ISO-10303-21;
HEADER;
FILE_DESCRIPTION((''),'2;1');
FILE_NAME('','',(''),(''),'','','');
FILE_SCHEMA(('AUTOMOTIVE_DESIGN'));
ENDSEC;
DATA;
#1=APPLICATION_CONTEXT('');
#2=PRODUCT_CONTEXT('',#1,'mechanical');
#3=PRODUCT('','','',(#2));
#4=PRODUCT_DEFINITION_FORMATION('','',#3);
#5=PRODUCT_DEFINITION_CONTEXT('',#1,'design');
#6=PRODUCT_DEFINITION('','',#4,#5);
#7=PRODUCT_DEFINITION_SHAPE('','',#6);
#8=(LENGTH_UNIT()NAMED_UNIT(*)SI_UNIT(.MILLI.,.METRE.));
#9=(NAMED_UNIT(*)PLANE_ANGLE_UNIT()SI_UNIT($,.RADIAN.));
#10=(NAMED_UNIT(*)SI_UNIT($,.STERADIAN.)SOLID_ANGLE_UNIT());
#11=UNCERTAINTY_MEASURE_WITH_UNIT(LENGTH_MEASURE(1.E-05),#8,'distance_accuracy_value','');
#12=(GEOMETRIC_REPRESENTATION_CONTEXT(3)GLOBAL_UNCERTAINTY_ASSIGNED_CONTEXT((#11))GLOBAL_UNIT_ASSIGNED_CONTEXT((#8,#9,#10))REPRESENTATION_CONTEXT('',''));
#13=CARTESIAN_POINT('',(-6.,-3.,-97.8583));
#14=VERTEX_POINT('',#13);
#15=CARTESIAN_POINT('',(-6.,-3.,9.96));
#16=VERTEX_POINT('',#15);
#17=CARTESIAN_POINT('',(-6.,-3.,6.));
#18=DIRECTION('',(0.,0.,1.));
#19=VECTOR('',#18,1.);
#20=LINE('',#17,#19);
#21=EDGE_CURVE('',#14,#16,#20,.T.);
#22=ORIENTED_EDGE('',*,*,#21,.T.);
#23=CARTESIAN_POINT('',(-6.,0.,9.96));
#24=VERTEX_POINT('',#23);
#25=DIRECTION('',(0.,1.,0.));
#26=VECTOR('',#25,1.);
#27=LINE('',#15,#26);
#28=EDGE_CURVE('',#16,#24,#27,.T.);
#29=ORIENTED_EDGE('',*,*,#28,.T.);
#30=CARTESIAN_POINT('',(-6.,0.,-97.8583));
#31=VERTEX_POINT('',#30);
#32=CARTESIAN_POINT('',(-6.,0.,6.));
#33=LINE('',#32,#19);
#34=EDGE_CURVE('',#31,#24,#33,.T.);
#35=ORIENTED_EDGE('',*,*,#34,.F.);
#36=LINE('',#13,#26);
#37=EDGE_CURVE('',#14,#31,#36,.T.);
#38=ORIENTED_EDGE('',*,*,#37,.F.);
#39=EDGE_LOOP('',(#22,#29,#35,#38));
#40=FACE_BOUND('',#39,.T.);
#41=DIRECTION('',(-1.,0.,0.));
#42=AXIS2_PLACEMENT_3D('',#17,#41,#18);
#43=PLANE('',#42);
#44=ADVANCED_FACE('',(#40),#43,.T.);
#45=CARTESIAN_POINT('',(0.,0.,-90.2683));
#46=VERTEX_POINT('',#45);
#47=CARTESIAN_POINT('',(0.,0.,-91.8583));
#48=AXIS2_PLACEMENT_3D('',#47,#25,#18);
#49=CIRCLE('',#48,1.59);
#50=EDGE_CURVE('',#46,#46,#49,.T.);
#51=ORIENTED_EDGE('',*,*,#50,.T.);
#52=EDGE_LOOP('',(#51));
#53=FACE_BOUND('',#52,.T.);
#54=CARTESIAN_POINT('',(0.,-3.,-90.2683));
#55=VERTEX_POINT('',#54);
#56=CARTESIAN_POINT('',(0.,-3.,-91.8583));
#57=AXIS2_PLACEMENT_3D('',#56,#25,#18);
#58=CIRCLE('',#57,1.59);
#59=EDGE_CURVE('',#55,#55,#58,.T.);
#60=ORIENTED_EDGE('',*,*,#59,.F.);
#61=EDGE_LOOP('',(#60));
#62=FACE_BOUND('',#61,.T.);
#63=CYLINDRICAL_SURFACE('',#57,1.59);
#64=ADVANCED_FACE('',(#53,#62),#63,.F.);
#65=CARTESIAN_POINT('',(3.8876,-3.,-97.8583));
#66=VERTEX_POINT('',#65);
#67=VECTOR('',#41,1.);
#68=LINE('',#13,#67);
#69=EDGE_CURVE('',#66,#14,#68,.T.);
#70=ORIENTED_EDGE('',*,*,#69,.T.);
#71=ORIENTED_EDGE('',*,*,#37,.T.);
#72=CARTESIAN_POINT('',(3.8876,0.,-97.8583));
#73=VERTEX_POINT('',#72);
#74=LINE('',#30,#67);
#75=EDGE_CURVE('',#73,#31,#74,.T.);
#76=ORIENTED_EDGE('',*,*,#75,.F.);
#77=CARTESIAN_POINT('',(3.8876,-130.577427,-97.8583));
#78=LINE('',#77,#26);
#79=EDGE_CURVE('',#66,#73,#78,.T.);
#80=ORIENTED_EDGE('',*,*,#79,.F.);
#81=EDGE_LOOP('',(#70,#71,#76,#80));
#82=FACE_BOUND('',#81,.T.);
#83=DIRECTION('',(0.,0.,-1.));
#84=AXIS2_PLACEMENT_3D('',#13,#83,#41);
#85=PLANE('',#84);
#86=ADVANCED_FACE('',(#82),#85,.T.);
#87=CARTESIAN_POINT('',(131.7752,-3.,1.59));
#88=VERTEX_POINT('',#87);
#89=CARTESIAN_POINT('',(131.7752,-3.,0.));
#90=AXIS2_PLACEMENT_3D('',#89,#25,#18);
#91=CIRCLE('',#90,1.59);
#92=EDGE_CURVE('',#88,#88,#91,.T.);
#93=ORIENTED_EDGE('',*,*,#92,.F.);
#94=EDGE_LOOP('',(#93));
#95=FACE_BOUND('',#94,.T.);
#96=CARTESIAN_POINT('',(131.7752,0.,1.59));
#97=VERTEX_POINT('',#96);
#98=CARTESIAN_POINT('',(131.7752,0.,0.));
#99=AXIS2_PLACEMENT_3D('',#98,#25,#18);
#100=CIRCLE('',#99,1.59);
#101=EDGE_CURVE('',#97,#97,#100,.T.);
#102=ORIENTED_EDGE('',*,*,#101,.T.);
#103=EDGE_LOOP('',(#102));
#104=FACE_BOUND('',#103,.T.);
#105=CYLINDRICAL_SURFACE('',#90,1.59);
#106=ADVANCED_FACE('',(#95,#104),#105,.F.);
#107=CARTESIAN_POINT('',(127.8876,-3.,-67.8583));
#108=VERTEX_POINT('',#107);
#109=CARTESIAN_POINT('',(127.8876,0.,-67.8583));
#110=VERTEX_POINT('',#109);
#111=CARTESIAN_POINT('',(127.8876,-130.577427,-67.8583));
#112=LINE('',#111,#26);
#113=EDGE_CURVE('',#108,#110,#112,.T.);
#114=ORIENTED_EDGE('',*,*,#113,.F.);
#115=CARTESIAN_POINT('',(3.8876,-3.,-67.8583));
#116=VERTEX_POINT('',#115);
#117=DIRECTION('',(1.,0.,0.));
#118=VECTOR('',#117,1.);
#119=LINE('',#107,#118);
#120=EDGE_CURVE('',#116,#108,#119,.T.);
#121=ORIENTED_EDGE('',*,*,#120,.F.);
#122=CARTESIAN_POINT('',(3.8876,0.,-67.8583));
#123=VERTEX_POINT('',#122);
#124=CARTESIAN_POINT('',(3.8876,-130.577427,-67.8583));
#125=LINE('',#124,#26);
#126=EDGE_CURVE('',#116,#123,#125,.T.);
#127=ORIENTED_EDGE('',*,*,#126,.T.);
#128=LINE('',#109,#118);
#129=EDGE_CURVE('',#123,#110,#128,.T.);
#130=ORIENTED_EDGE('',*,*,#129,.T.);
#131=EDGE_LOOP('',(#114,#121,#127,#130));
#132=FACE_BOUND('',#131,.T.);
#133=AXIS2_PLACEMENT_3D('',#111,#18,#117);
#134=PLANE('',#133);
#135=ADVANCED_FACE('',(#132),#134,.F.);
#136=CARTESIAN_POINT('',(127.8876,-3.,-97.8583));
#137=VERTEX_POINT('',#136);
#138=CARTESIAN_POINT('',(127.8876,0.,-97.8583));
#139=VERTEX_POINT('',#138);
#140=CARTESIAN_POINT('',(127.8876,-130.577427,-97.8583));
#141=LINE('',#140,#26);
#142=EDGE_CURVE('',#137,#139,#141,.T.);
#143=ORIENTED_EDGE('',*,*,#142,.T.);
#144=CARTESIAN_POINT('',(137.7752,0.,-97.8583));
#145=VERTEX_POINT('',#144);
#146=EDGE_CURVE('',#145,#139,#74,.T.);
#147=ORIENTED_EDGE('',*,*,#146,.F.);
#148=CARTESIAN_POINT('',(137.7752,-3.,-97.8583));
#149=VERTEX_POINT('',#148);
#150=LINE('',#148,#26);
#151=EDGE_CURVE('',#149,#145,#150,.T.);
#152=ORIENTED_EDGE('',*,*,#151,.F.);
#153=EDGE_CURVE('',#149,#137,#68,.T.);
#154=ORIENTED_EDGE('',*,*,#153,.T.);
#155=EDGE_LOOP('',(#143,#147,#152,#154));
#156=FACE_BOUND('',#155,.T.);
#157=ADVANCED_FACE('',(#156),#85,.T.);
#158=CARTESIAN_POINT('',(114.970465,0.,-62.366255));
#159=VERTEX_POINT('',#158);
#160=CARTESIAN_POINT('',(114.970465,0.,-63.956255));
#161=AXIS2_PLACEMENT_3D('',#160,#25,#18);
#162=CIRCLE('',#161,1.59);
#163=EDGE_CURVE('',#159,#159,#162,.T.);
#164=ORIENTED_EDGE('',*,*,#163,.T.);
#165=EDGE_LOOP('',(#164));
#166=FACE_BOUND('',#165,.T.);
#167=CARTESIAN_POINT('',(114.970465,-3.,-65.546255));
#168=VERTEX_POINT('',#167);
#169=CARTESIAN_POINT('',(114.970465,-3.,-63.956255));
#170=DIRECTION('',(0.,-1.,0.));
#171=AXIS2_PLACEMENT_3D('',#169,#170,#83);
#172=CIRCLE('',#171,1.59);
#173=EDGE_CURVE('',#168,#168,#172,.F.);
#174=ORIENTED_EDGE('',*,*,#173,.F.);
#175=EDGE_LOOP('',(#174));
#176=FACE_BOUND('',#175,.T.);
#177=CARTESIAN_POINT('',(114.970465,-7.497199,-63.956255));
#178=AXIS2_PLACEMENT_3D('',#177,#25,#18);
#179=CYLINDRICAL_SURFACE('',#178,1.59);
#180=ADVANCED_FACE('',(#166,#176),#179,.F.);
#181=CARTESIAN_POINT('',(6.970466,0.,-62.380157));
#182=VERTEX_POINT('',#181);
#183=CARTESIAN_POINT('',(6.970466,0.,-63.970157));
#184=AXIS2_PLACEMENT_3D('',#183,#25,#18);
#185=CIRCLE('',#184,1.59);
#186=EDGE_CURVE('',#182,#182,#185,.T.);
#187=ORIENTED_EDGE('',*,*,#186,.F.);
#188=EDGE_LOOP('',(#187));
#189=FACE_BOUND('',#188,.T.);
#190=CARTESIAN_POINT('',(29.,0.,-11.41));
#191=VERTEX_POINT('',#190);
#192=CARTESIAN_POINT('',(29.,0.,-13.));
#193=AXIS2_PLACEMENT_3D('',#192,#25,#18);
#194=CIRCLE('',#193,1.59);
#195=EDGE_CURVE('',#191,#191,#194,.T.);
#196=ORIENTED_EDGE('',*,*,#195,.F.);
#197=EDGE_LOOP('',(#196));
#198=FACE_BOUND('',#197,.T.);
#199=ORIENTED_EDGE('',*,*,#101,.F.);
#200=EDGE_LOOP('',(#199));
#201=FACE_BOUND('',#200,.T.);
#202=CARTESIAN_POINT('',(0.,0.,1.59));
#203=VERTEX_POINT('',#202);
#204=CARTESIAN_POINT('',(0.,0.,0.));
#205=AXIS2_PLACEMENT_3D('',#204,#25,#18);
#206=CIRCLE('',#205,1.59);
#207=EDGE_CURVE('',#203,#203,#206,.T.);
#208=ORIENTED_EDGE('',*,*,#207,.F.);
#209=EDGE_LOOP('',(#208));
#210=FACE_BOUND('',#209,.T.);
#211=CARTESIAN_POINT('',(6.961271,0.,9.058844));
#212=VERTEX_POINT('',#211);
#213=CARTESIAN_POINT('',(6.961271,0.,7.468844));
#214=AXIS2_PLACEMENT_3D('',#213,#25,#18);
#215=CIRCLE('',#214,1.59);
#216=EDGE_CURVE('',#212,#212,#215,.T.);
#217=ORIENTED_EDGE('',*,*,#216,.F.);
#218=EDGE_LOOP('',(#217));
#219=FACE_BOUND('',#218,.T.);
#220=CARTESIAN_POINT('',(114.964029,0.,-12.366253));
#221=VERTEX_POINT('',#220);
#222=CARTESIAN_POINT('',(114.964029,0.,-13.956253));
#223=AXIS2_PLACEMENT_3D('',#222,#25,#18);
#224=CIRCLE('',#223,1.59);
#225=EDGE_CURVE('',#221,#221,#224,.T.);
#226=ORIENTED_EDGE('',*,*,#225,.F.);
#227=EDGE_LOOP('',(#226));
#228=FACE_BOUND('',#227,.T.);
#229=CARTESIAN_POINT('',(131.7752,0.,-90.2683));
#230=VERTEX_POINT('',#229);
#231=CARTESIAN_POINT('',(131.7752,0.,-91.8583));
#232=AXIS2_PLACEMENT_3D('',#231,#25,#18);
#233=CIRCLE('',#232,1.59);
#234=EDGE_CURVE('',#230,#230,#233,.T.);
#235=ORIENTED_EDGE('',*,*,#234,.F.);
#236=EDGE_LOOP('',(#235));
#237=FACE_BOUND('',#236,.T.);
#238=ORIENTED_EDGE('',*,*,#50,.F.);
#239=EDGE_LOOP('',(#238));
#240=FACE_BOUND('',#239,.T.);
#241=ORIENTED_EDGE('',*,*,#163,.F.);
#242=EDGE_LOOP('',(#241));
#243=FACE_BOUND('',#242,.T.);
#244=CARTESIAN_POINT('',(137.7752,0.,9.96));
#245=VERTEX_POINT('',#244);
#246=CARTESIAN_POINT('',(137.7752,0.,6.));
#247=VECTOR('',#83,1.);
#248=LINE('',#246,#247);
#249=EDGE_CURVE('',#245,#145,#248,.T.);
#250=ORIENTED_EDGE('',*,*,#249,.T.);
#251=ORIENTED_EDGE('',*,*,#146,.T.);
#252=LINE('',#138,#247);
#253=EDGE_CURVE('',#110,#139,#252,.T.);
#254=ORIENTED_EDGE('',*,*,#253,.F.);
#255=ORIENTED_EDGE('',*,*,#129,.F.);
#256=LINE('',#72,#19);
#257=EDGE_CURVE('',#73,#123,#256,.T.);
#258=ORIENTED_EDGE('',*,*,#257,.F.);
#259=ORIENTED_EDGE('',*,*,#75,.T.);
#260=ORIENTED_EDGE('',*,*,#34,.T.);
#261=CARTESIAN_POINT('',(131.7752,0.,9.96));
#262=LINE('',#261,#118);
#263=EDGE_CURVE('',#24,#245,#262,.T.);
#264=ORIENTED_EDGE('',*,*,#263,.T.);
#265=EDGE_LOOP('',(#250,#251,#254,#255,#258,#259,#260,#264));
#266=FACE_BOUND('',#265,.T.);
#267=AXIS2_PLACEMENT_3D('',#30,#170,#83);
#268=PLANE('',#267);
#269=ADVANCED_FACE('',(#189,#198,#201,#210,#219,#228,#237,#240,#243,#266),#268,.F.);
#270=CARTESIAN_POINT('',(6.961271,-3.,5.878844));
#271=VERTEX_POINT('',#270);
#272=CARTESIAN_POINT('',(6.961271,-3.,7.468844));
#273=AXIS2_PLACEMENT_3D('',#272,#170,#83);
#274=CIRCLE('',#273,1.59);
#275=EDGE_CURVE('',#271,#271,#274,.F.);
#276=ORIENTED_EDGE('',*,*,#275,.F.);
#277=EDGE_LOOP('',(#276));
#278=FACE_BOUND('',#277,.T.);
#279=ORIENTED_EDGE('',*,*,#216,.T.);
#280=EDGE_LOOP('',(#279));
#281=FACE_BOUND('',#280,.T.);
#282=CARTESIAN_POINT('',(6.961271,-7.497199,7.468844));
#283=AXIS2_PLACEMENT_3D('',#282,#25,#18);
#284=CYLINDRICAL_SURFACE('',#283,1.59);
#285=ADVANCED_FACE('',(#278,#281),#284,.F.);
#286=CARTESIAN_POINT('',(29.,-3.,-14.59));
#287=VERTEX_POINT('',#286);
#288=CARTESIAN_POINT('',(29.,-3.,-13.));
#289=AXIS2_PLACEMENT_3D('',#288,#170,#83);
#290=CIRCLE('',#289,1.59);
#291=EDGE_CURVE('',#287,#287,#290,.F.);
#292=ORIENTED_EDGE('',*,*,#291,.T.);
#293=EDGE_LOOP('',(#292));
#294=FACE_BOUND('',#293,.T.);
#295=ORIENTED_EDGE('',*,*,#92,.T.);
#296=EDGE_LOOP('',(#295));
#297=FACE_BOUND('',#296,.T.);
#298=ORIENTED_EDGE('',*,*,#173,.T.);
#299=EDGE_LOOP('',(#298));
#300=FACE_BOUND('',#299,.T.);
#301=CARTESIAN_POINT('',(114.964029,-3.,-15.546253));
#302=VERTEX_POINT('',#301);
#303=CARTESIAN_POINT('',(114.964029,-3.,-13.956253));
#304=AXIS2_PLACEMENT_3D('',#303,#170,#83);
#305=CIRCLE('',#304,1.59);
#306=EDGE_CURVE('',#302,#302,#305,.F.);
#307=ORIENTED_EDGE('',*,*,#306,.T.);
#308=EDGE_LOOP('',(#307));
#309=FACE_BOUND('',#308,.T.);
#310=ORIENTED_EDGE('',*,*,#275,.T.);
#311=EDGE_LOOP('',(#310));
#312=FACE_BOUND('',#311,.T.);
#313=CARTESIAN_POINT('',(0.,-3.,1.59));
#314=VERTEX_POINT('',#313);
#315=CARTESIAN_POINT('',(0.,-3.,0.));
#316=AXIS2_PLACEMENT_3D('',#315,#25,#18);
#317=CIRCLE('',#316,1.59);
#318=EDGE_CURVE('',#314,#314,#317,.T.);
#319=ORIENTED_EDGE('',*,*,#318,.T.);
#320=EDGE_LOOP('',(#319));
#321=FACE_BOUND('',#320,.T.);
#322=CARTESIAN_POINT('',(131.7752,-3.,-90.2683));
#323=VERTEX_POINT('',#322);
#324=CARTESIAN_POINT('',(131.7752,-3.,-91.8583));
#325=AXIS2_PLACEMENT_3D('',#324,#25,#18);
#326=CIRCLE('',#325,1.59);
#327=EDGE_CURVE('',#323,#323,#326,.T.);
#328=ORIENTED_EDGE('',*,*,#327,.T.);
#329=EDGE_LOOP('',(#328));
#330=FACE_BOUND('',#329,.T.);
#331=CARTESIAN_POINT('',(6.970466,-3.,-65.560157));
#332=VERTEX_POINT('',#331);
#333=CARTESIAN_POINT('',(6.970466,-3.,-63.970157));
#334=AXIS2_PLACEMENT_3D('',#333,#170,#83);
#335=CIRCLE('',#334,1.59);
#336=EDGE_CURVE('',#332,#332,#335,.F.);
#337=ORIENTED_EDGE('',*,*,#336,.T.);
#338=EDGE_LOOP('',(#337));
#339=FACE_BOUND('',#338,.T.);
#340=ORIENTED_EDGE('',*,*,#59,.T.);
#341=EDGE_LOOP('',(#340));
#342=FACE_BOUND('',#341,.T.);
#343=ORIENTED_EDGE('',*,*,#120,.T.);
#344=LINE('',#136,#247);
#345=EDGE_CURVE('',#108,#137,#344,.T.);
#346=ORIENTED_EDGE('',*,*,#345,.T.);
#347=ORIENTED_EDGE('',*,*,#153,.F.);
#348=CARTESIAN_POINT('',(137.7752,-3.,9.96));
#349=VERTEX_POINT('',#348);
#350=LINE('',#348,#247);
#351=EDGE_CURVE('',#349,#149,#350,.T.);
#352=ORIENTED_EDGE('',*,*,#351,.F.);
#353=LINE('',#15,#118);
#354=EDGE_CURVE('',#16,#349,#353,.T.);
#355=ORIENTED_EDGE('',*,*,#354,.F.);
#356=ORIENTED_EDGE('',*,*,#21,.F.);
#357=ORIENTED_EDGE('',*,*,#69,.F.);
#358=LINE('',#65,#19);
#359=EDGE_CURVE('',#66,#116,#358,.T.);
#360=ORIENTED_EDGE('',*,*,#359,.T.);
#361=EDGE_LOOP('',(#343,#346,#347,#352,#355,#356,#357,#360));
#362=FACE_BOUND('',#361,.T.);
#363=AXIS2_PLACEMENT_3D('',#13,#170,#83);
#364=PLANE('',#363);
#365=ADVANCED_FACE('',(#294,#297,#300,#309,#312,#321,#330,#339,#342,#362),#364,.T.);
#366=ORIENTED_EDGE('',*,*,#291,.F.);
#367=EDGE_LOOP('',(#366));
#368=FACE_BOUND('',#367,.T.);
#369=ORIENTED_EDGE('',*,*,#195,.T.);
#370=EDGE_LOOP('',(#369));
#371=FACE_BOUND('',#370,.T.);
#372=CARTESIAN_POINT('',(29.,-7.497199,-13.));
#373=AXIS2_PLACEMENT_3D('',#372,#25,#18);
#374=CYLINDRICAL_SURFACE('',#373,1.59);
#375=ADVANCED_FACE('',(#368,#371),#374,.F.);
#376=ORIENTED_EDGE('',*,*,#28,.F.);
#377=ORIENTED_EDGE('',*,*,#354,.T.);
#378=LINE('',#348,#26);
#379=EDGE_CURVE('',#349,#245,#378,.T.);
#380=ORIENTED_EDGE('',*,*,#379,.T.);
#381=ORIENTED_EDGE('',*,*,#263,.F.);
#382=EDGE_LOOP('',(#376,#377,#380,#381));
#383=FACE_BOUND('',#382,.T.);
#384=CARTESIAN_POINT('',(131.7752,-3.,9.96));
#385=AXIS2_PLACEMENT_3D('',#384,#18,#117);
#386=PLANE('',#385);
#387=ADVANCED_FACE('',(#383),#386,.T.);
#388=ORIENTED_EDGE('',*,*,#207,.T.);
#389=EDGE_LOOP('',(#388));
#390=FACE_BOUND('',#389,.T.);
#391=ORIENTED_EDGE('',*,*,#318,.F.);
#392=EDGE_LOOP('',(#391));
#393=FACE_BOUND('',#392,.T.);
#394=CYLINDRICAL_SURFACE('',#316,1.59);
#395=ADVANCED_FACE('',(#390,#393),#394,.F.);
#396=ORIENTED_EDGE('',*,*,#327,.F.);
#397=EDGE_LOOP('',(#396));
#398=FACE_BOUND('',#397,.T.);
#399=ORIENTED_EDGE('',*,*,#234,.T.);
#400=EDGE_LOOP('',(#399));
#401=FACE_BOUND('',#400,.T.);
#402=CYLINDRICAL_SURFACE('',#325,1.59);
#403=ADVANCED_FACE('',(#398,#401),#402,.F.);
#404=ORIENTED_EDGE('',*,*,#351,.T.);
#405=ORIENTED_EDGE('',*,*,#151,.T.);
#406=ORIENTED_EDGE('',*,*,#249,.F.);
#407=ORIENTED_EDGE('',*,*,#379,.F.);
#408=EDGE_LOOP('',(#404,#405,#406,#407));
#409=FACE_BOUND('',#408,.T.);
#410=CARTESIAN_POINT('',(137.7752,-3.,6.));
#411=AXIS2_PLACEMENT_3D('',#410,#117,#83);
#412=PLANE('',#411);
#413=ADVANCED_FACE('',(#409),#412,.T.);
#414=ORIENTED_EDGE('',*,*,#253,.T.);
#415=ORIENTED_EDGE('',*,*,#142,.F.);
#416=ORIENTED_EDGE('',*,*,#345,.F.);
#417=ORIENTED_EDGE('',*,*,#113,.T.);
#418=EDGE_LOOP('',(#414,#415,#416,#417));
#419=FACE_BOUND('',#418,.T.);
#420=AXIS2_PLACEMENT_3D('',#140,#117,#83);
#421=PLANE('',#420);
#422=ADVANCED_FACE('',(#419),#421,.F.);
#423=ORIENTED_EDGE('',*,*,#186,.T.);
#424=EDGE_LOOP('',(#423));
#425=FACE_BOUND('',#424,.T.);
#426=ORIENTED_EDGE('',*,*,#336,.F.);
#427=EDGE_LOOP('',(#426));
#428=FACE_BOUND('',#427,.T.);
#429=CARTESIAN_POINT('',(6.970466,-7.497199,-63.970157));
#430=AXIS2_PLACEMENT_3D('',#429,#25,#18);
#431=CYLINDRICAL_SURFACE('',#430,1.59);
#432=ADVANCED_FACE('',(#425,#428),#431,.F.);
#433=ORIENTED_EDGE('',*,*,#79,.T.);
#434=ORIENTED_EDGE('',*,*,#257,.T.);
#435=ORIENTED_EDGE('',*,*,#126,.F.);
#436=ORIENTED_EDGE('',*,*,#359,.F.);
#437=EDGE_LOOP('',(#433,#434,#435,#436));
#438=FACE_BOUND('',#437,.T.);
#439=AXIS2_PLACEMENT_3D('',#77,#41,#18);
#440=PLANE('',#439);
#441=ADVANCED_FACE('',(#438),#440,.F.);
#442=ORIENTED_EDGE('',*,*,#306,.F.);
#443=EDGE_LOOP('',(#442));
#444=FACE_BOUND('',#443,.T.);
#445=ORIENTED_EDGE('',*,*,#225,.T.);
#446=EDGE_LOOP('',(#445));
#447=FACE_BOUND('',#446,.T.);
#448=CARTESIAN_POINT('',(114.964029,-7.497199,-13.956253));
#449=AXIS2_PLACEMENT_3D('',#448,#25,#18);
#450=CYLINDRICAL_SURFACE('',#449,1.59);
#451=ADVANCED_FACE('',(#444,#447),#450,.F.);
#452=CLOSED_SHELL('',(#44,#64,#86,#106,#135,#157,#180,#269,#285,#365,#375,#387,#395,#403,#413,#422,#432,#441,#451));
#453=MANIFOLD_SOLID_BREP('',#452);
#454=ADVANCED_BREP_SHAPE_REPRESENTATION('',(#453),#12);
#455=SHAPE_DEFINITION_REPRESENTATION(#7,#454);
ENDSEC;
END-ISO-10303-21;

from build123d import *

# Parameters (mm, degrees)
SKETCH1_R      = 1.59
EXTRUDE1_DEPTH = 3
SKETCH2_W      = 124
SKETCH2_H      = 30
EXTRUDE2_DEPTH = 3
SKETCH3_R      = 1.59
EXTRUDE3_DEPTH = 3


with BuildPart() as part:
    # Sketch1 → Extrude1 (new body)
    with BuildSketch(Plane(origin=(0, 0, 0), x_dir=(1, 0, 0), z_dir=(0, 1, 0))):
        Polygon((-6, 97.8583), (137.7752, 97.8583), (137.7752, -6), (137.7752, -9.96), (131.7752, -9.96), (0, -9.96), (-6, -9.96), (-6, -6), align=None)
        with Locations(Location((0, 91.8583, 0), (0, 0, 270))):
            Circle(SKETCH1_R, mode=Mode.SUBTRACT)
        with Locations(Location((131.7752, 91.8583, 0), (0, 0, 270))):
            Circle(SKETCH1_R, mode=Mode.SUBTRACT)
        with Locations(Location((131.7752, 0, 0), (0, 0, 270))):
            Circle(SKETCH1_R, mode=Mode.SUBTRACT)
        with Locations(Location((0, 0, 0), (0, 0, 270))):
            Circle(SKETCH1_R, mode=Mode.SUBTRACT)
    extrude(amount=-EXTRUDE1_DEPTH)

    # Sketch2 → Extrude2 (cut)
    with BuildSketch(Plane(origin=(0, 0, 0), x_dir=(1, 0, 0), z_dir=(0, 1, 0))):
        with Locations((65.8876, 82.8583)):
            Rectangle(SKETCH2_W, SKETCH2_H)
    extrude(amount=-EXTRUDE2_DEPTH, mode=Mode.SUBTRACT)

    # Sketch3 → Extrude3 (cut)
    with BuildSketch(Plane(origin=(0, 0, 0), x_dir=(1, 0, 0), z_dir=(0, 1, 0))):
        with Locations(Location((6.961270646, -7.468844026, 0), (0, 0, 270))):
            Circle(SKETCH3_R)
        with Locations(Location((6.970466443, 63.970156522, 0), (0, 0, 270))):
            Circle(SKETCH3_R)
        with Locations(Location((114.970465448, 63.956254506, 0), (0, 0, 270))):
            Circle(SKETCH3_R)
        with Locations(Location((114.96402933, 13.95625332, 0), (0, 0, 270))):
            Circle(SKETCH3_R)
        with Locations(Location((29, 13, 0), (0, 0, 270))):
            Circle(SKETCH3_R)
    extrude(amount=-EXTRUDE3_DEPTH, mode=Mode.SUBTRACT)


solid = part.part
